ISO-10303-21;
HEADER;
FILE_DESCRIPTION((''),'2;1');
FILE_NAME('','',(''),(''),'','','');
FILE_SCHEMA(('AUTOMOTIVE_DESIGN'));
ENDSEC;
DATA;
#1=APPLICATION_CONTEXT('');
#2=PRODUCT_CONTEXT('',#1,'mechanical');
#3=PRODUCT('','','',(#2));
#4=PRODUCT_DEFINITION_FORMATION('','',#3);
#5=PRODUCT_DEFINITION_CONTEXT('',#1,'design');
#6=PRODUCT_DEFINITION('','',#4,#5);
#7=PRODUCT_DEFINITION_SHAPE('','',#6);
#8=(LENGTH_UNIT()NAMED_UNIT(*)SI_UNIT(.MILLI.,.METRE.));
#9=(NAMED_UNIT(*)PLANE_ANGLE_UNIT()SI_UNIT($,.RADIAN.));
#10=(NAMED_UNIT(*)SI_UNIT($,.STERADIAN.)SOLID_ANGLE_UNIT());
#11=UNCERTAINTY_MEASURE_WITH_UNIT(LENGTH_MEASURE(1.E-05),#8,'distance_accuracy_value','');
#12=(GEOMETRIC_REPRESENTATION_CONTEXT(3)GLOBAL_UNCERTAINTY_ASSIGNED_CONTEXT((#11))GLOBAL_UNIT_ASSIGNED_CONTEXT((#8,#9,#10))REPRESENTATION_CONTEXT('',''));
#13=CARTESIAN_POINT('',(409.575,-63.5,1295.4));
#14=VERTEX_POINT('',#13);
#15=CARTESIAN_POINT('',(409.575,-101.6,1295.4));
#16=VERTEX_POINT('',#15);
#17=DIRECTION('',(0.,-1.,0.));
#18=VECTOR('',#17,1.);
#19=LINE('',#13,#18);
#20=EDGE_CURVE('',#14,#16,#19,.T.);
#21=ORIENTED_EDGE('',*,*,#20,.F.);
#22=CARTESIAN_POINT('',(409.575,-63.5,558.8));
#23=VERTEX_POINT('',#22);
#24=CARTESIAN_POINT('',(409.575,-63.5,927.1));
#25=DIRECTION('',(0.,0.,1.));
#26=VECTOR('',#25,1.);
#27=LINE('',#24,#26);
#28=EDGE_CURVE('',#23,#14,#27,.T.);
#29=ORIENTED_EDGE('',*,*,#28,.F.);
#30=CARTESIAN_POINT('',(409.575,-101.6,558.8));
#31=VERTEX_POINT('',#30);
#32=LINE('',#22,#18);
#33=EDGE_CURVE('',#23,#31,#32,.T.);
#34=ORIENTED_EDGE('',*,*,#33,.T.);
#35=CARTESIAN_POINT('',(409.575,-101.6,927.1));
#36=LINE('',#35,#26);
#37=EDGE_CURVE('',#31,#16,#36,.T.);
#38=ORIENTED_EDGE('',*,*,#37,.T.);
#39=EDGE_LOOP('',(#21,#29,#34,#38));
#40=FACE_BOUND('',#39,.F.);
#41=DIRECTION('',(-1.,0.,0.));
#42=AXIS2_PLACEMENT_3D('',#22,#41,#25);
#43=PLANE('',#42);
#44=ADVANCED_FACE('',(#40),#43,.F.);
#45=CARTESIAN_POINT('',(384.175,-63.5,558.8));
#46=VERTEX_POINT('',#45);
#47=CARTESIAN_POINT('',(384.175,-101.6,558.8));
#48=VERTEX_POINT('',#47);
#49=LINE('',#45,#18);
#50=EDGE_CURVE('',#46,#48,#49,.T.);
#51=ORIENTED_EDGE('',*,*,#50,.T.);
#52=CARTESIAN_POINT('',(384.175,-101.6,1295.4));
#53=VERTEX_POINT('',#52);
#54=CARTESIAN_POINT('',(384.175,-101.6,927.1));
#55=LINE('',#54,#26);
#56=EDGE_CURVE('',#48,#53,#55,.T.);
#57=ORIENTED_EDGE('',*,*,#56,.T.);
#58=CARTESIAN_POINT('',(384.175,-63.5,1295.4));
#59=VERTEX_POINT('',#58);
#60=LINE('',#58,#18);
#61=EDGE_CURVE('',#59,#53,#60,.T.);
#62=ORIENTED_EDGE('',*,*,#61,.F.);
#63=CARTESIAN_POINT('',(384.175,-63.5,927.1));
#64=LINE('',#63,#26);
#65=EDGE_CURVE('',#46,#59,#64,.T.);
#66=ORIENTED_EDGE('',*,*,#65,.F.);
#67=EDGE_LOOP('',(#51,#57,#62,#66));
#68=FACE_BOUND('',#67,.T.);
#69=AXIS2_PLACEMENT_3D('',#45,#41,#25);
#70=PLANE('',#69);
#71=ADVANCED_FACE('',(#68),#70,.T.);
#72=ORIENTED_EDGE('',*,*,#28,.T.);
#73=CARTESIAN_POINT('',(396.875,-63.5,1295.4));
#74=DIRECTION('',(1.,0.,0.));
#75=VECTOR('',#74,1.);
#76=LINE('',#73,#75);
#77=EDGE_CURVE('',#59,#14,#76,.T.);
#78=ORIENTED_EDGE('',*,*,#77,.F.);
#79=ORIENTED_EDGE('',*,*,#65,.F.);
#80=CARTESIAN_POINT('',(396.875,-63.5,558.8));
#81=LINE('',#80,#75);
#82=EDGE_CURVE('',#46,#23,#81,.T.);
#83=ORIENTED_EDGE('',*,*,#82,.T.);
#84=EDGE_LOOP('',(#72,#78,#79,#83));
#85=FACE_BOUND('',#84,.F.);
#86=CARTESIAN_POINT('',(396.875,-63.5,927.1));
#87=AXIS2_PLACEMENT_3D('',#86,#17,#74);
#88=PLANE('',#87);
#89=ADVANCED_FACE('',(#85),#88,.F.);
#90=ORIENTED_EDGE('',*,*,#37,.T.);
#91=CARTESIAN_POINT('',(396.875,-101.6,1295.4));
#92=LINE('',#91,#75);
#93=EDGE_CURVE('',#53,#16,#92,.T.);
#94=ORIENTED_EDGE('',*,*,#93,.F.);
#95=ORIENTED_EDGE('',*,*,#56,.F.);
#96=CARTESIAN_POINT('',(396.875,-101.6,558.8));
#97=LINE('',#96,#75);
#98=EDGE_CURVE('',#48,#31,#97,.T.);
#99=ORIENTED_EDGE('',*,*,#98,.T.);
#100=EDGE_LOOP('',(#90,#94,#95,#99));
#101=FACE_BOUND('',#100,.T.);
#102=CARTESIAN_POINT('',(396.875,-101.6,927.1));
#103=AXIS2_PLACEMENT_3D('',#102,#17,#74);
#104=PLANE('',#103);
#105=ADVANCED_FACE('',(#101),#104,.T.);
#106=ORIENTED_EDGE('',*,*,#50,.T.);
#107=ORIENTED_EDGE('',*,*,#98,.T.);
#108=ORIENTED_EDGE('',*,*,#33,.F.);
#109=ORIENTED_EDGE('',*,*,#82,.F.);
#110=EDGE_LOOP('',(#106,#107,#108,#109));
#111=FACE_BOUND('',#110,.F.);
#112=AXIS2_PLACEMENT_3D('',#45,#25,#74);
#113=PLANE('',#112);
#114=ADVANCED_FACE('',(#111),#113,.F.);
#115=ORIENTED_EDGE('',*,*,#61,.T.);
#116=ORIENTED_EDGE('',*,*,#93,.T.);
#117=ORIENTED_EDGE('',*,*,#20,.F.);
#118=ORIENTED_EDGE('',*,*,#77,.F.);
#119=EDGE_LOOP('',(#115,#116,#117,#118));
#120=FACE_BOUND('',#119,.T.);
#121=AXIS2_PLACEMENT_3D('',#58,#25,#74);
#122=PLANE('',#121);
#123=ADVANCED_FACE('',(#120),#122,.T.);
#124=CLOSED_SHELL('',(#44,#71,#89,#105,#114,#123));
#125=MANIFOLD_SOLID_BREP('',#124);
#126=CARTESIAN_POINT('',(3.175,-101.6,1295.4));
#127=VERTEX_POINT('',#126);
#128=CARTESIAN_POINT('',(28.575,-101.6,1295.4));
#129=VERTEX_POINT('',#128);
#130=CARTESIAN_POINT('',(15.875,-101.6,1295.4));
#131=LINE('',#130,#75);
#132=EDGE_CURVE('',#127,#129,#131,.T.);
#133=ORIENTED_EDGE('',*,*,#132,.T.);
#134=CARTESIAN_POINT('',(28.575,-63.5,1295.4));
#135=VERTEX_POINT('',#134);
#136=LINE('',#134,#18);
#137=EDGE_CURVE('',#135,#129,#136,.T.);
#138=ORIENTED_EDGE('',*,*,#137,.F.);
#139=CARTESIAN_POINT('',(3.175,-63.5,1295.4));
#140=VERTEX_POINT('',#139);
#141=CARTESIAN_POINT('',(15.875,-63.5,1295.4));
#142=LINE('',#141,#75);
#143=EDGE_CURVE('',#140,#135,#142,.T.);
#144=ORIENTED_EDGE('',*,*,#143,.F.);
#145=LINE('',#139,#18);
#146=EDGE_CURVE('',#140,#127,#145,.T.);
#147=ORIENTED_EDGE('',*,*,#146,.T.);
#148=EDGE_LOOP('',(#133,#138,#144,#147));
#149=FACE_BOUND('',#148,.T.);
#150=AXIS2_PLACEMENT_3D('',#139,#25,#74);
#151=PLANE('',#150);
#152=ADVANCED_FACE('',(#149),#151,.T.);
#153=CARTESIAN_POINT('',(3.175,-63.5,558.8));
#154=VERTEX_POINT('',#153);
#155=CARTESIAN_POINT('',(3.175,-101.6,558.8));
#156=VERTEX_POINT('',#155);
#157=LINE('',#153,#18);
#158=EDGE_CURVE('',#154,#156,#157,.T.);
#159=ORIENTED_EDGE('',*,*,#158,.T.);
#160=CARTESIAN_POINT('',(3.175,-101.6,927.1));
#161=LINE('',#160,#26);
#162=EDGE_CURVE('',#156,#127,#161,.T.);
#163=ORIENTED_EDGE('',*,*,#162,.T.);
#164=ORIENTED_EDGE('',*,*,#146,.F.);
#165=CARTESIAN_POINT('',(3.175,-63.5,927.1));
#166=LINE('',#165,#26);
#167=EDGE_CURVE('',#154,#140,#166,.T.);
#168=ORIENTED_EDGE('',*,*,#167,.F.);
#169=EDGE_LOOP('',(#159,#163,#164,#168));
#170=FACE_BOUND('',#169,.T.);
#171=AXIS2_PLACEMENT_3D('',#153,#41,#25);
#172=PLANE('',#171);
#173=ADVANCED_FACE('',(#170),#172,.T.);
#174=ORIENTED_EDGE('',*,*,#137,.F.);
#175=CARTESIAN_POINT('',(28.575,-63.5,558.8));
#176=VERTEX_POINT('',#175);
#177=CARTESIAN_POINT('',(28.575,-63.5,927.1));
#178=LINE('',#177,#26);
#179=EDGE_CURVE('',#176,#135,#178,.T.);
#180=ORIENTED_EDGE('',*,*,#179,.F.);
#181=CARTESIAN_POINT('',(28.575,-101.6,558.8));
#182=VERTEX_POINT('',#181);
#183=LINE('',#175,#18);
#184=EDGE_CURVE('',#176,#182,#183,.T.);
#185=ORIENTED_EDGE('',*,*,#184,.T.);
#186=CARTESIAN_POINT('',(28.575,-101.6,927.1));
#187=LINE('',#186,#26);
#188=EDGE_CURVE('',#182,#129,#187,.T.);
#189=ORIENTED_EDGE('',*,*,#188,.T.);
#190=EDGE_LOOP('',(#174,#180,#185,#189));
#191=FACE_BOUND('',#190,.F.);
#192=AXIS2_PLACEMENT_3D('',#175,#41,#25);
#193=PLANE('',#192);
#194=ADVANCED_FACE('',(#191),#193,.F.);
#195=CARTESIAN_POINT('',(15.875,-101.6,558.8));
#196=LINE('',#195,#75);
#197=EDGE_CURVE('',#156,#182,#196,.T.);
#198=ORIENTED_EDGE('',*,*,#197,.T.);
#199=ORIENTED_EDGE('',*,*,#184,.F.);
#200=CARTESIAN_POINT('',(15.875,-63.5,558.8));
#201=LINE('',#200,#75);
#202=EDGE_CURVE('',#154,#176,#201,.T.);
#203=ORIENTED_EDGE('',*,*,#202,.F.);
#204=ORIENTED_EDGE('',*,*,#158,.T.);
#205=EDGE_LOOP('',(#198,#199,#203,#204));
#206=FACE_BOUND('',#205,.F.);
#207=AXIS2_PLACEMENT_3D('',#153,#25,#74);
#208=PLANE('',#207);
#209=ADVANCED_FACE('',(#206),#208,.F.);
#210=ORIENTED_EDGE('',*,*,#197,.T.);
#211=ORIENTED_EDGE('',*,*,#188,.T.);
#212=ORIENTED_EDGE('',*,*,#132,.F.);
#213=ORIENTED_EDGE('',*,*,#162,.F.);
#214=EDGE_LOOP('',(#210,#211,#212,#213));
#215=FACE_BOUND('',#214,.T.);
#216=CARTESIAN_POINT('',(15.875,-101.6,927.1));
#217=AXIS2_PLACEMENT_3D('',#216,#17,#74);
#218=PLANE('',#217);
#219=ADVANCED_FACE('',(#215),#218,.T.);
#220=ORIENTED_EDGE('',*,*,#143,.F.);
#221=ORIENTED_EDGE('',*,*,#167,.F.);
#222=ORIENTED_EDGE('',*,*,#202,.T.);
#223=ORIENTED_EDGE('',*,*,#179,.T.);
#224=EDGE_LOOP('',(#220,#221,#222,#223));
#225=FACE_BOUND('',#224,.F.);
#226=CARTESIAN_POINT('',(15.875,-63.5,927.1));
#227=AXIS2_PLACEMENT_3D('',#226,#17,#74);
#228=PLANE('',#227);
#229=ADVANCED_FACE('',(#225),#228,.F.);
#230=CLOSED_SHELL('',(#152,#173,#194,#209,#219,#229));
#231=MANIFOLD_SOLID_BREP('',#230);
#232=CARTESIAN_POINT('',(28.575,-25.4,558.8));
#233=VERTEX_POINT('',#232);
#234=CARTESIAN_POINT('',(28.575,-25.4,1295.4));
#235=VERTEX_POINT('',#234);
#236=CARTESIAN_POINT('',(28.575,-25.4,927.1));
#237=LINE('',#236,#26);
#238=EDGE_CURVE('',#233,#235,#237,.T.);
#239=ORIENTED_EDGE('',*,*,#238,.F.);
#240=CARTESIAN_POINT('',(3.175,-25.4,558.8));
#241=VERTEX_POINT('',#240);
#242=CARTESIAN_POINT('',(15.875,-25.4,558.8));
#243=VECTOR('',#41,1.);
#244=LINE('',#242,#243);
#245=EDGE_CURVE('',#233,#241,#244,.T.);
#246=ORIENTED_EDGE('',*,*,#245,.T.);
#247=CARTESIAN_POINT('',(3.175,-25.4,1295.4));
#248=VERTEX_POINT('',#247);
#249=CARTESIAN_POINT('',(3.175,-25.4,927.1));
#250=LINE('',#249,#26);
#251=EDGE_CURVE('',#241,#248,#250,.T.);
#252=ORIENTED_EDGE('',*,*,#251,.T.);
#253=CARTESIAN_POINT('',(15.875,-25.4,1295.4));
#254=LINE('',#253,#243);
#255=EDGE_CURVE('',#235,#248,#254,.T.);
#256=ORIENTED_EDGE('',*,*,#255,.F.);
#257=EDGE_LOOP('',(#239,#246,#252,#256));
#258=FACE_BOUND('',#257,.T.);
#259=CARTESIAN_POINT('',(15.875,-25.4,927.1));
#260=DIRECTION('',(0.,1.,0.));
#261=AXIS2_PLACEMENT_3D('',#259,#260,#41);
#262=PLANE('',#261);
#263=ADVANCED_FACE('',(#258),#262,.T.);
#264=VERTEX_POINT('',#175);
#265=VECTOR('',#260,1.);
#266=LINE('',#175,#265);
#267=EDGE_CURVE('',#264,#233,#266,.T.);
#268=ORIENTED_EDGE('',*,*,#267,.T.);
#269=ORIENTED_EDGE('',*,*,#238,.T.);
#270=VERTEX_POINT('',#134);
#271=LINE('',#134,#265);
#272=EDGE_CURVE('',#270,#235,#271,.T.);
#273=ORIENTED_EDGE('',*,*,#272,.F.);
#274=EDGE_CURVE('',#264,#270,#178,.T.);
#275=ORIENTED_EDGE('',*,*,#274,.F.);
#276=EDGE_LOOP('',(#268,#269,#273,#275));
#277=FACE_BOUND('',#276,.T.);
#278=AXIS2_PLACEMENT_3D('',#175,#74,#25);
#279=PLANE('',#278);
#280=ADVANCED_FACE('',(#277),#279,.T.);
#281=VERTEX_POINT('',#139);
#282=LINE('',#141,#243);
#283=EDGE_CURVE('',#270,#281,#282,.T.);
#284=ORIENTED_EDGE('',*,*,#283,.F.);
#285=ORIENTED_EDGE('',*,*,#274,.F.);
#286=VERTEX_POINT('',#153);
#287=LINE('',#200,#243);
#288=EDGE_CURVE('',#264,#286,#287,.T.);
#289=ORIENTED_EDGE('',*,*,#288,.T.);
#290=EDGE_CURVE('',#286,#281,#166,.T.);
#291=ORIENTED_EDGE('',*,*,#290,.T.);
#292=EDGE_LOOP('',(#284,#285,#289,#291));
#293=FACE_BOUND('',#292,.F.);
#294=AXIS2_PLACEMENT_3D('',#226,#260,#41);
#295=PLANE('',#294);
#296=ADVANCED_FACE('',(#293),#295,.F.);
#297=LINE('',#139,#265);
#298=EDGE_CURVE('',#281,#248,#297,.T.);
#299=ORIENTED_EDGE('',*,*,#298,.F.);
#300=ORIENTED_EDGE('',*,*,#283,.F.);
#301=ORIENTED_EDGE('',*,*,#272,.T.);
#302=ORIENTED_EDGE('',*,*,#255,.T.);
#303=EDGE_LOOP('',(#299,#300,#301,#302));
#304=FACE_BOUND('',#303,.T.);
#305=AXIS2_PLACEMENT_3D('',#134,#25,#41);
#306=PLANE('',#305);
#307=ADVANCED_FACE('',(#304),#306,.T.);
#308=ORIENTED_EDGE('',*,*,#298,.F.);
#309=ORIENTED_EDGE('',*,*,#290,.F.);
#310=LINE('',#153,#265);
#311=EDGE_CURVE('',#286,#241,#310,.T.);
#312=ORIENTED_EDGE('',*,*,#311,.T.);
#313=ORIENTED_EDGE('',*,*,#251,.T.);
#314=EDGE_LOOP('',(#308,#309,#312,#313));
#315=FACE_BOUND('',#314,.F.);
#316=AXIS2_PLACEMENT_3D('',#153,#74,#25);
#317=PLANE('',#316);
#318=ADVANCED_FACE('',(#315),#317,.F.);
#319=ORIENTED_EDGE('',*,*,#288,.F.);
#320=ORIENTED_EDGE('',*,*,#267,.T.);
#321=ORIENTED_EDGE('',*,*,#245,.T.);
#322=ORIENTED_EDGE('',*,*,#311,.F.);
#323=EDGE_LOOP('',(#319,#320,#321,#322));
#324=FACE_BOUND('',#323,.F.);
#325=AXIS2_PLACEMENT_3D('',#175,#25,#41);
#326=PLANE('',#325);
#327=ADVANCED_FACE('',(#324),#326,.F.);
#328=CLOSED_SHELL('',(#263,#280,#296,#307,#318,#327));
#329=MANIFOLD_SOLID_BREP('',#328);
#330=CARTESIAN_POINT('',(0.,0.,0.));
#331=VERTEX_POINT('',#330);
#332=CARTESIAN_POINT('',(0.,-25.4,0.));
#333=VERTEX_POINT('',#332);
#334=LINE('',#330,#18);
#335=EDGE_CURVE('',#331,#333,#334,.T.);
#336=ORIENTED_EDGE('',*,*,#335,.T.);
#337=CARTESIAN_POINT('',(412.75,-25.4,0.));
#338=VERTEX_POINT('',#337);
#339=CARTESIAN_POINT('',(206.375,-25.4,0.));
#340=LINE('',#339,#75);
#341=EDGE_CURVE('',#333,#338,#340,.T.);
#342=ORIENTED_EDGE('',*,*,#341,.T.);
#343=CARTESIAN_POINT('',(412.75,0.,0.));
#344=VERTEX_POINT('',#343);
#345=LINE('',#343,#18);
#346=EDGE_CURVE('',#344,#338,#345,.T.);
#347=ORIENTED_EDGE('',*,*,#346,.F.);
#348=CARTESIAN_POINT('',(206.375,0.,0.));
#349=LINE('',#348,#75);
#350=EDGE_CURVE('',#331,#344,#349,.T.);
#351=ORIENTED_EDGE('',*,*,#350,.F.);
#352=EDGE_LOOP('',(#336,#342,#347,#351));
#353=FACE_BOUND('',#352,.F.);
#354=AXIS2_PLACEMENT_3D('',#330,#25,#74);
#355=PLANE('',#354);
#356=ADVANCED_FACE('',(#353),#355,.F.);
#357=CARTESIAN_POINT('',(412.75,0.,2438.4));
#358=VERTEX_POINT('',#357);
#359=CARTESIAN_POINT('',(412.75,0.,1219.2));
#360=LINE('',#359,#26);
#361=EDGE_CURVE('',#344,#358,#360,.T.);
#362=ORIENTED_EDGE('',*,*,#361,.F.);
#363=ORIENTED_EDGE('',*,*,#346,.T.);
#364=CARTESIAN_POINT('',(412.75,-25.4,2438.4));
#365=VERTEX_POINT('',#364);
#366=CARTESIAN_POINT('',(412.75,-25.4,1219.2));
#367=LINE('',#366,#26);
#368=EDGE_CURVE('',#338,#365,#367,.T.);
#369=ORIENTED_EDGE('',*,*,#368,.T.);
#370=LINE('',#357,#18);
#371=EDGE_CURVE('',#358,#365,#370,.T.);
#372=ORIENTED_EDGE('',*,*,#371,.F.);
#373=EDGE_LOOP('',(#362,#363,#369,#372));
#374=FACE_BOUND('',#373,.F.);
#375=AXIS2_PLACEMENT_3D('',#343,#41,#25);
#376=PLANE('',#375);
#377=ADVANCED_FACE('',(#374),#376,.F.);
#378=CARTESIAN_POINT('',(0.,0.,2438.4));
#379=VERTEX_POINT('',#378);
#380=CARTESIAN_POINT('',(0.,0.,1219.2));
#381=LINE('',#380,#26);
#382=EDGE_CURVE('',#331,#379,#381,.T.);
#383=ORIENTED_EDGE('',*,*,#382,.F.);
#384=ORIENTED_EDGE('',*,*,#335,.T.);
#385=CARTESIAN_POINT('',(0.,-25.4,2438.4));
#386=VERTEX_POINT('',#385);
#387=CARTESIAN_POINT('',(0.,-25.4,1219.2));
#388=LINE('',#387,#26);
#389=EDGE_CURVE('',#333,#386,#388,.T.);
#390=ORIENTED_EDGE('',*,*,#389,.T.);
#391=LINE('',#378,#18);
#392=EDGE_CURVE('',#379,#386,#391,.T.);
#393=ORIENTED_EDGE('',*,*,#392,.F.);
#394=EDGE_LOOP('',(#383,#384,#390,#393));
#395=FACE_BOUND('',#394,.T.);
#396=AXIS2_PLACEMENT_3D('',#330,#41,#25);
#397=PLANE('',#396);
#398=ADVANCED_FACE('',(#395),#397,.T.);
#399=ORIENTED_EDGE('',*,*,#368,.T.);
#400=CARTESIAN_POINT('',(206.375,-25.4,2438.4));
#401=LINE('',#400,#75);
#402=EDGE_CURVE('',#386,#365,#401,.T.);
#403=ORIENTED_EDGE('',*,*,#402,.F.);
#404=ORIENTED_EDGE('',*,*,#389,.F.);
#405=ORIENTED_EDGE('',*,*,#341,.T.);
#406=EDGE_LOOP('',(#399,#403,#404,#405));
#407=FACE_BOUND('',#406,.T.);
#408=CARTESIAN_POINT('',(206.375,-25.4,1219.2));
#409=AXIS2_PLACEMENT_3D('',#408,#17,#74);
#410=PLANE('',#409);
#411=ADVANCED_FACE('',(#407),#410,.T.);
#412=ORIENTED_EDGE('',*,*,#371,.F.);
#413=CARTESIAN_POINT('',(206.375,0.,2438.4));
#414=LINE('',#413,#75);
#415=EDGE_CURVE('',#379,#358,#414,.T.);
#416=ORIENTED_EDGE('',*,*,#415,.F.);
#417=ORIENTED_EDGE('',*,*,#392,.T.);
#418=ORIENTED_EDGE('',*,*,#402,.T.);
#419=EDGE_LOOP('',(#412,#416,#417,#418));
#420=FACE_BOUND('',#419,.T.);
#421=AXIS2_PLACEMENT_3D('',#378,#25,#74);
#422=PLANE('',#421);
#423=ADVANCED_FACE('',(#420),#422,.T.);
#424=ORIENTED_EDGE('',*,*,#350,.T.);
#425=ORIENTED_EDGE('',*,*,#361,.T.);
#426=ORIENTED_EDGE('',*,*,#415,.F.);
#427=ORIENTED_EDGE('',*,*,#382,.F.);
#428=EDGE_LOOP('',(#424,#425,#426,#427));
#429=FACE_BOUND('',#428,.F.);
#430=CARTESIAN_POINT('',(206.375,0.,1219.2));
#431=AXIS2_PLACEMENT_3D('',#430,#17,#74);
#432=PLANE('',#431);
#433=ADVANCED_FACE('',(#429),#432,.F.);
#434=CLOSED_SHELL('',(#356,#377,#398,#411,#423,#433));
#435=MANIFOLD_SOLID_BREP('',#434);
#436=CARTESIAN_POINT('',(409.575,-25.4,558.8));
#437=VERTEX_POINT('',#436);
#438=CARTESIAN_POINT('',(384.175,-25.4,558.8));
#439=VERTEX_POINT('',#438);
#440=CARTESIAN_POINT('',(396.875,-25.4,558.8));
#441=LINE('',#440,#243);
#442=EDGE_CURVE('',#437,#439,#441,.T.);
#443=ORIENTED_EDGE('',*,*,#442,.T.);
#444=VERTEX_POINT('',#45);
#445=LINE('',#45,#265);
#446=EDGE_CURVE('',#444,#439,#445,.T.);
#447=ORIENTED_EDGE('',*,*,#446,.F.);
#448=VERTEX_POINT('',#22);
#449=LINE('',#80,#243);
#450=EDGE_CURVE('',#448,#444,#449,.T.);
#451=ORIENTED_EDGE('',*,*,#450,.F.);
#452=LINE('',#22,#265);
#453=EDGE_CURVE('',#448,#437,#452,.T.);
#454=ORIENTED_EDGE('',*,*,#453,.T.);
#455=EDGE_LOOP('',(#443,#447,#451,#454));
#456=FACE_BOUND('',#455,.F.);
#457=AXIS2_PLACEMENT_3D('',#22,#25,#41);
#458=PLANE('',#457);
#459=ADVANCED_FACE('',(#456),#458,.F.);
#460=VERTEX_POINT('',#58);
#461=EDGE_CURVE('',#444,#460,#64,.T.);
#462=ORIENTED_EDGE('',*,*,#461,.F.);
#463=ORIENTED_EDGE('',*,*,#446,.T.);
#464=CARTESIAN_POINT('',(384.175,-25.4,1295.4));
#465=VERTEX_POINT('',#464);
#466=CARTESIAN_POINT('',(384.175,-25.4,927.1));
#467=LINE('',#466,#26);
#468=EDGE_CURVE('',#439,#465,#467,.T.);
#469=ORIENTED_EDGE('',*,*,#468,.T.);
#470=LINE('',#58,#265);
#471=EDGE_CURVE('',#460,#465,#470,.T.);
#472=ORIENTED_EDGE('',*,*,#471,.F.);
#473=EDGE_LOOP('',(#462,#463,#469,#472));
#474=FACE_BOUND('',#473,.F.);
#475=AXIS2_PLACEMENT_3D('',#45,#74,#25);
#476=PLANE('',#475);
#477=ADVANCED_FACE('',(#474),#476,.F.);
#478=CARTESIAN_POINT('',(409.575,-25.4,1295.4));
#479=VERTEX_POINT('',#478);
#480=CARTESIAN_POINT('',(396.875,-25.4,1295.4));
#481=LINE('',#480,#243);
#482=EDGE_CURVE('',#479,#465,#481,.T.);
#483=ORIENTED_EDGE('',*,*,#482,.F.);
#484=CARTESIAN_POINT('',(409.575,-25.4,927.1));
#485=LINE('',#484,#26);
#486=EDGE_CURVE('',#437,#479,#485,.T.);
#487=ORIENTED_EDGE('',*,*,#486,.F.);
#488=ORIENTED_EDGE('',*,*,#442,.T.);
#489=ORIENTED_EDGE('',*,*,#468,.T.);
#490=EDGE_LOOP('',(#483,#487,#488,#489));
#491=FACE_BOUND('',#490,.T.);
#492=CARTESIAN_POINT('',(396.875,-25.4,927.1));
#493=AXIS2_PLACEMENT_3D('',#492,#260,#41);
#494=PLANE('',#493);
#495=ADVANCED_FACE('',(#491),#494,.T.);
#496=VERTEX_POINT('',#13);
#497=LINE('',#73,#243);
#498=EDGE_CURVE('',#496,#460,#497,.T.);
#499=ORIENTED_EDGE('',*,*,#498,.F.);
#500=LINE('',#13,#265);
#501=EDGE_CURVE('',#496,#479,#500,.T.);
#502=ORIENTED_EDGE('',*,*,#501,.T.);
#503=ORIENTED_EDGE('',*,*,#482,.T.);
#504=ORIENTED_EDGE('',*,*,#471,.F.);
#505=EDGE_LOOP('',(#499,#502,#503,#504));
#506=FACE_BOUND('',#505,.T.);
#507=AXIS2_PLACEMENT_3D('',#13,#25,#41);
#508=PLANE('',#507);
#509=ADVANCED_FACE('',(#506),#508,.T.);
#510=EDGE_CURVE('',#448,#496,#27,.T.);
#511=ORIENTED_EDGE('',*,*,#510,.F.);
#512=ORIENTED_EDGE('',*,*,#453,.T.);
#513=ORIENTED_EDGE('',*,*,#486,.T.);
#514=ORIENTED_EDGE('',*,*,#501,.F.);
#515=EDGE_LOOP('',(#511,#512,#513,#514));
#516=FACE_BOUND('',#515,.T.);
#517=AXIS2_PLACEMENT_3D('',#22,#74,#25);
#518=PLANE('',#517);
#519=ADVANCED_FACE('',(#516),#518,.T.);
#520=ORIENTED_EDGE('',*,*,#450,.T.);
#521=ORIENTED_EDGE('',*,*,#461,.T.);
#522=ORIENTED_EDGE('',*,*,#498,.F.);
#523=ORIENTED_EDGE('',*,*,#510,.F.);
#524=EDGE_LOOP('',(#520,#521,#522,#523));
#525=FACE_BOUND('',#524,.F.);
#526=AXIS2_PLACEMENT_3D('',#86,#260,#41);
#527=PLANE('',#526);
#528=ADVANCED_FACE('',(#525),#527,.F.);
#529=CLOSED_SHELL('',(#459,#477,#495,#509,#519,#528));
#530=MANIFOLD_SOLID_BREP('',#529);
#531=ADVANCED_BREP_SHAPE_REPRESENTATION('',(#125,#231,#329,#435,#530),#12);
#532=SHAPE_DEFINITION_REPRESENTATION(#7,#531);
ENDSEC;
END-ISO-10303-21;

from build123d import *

# Parameters (mm, degrees)
F0_W      = 412.75
F0_H      = 2438.4
F1_DEPTH  = 25.4
F3_DEPTH  = 76.2
F4_W      = 406.4
F4_H      = 584.2
F5_DEPTH  = 38.1
F7_W      = 25.4
F7_H      = 736.6
F8_DEPTH  = 38.1
F9_W      = 25.4
F9_H      = 736.6
F10_DEPTH = 38.1


with BuildPart() as f1:
    # F0 (on Front) → F1 (new body)
    with BuildSketch(Plane.XZ):
        with Locations((206.375, 1219.2)):
            Rectangle(F0_W, F0_H)
    extrude(amount=F1_DEPTH)


with BuildPart() as f3:
    # F2 (on face) → F3 (new body)
    with BuildSketch(Plane.XZ.offset(25.4)):
        Polygon((409.575, 863.6), (3.175, 863.6), (3.175, 127), (28.575, 127), (28.575, 800.1), (384.175, 800.1), (384.175, 127), (409.575, 127), align=None)
    extrude(amount=F3_DEPTH)


with BuildPart() as f5:
    # F4 (on face) → F5 (new body)
    with BuildSketch(Plane.XZ.offset(25.4)):
        with Locations((206.375, 1003.3)):
            Rectangle(F4_W, F4_H)
    extrude(amount=F5_DEPTH)


with BuildPart() as f8:
    # F7 (on face) → F8 (new body)
    with BuildSketch(Plane.XZ.offset(63.5)):
        with Locations((15.875, 927.1)):
            Rectangle(F7_W, F7_H)
        with Locations((396.875, 927.1)):
            Rectangle(F7_W, F7_H)
    extrude(amount=F8_DEPTH)


with BuildPart() as f10:
    # F9 (on face) → F10 (new body)
    with BuildSketch(Plane(origin=(0, -63.5, 0), x_dir=(-1, 0, 0), z_dir=(0, 1, 0))):
        with Locations((-15.875, 927.1)):
            Rectangle(F9_W, F9_H)
        with Locations((-396.875, 927.1)):
            Rectangle(F9_W, F9_H)
    extrude(amount=F10_DEPTH)


solid = Compound([f1.part, f8.part, f10.part])
